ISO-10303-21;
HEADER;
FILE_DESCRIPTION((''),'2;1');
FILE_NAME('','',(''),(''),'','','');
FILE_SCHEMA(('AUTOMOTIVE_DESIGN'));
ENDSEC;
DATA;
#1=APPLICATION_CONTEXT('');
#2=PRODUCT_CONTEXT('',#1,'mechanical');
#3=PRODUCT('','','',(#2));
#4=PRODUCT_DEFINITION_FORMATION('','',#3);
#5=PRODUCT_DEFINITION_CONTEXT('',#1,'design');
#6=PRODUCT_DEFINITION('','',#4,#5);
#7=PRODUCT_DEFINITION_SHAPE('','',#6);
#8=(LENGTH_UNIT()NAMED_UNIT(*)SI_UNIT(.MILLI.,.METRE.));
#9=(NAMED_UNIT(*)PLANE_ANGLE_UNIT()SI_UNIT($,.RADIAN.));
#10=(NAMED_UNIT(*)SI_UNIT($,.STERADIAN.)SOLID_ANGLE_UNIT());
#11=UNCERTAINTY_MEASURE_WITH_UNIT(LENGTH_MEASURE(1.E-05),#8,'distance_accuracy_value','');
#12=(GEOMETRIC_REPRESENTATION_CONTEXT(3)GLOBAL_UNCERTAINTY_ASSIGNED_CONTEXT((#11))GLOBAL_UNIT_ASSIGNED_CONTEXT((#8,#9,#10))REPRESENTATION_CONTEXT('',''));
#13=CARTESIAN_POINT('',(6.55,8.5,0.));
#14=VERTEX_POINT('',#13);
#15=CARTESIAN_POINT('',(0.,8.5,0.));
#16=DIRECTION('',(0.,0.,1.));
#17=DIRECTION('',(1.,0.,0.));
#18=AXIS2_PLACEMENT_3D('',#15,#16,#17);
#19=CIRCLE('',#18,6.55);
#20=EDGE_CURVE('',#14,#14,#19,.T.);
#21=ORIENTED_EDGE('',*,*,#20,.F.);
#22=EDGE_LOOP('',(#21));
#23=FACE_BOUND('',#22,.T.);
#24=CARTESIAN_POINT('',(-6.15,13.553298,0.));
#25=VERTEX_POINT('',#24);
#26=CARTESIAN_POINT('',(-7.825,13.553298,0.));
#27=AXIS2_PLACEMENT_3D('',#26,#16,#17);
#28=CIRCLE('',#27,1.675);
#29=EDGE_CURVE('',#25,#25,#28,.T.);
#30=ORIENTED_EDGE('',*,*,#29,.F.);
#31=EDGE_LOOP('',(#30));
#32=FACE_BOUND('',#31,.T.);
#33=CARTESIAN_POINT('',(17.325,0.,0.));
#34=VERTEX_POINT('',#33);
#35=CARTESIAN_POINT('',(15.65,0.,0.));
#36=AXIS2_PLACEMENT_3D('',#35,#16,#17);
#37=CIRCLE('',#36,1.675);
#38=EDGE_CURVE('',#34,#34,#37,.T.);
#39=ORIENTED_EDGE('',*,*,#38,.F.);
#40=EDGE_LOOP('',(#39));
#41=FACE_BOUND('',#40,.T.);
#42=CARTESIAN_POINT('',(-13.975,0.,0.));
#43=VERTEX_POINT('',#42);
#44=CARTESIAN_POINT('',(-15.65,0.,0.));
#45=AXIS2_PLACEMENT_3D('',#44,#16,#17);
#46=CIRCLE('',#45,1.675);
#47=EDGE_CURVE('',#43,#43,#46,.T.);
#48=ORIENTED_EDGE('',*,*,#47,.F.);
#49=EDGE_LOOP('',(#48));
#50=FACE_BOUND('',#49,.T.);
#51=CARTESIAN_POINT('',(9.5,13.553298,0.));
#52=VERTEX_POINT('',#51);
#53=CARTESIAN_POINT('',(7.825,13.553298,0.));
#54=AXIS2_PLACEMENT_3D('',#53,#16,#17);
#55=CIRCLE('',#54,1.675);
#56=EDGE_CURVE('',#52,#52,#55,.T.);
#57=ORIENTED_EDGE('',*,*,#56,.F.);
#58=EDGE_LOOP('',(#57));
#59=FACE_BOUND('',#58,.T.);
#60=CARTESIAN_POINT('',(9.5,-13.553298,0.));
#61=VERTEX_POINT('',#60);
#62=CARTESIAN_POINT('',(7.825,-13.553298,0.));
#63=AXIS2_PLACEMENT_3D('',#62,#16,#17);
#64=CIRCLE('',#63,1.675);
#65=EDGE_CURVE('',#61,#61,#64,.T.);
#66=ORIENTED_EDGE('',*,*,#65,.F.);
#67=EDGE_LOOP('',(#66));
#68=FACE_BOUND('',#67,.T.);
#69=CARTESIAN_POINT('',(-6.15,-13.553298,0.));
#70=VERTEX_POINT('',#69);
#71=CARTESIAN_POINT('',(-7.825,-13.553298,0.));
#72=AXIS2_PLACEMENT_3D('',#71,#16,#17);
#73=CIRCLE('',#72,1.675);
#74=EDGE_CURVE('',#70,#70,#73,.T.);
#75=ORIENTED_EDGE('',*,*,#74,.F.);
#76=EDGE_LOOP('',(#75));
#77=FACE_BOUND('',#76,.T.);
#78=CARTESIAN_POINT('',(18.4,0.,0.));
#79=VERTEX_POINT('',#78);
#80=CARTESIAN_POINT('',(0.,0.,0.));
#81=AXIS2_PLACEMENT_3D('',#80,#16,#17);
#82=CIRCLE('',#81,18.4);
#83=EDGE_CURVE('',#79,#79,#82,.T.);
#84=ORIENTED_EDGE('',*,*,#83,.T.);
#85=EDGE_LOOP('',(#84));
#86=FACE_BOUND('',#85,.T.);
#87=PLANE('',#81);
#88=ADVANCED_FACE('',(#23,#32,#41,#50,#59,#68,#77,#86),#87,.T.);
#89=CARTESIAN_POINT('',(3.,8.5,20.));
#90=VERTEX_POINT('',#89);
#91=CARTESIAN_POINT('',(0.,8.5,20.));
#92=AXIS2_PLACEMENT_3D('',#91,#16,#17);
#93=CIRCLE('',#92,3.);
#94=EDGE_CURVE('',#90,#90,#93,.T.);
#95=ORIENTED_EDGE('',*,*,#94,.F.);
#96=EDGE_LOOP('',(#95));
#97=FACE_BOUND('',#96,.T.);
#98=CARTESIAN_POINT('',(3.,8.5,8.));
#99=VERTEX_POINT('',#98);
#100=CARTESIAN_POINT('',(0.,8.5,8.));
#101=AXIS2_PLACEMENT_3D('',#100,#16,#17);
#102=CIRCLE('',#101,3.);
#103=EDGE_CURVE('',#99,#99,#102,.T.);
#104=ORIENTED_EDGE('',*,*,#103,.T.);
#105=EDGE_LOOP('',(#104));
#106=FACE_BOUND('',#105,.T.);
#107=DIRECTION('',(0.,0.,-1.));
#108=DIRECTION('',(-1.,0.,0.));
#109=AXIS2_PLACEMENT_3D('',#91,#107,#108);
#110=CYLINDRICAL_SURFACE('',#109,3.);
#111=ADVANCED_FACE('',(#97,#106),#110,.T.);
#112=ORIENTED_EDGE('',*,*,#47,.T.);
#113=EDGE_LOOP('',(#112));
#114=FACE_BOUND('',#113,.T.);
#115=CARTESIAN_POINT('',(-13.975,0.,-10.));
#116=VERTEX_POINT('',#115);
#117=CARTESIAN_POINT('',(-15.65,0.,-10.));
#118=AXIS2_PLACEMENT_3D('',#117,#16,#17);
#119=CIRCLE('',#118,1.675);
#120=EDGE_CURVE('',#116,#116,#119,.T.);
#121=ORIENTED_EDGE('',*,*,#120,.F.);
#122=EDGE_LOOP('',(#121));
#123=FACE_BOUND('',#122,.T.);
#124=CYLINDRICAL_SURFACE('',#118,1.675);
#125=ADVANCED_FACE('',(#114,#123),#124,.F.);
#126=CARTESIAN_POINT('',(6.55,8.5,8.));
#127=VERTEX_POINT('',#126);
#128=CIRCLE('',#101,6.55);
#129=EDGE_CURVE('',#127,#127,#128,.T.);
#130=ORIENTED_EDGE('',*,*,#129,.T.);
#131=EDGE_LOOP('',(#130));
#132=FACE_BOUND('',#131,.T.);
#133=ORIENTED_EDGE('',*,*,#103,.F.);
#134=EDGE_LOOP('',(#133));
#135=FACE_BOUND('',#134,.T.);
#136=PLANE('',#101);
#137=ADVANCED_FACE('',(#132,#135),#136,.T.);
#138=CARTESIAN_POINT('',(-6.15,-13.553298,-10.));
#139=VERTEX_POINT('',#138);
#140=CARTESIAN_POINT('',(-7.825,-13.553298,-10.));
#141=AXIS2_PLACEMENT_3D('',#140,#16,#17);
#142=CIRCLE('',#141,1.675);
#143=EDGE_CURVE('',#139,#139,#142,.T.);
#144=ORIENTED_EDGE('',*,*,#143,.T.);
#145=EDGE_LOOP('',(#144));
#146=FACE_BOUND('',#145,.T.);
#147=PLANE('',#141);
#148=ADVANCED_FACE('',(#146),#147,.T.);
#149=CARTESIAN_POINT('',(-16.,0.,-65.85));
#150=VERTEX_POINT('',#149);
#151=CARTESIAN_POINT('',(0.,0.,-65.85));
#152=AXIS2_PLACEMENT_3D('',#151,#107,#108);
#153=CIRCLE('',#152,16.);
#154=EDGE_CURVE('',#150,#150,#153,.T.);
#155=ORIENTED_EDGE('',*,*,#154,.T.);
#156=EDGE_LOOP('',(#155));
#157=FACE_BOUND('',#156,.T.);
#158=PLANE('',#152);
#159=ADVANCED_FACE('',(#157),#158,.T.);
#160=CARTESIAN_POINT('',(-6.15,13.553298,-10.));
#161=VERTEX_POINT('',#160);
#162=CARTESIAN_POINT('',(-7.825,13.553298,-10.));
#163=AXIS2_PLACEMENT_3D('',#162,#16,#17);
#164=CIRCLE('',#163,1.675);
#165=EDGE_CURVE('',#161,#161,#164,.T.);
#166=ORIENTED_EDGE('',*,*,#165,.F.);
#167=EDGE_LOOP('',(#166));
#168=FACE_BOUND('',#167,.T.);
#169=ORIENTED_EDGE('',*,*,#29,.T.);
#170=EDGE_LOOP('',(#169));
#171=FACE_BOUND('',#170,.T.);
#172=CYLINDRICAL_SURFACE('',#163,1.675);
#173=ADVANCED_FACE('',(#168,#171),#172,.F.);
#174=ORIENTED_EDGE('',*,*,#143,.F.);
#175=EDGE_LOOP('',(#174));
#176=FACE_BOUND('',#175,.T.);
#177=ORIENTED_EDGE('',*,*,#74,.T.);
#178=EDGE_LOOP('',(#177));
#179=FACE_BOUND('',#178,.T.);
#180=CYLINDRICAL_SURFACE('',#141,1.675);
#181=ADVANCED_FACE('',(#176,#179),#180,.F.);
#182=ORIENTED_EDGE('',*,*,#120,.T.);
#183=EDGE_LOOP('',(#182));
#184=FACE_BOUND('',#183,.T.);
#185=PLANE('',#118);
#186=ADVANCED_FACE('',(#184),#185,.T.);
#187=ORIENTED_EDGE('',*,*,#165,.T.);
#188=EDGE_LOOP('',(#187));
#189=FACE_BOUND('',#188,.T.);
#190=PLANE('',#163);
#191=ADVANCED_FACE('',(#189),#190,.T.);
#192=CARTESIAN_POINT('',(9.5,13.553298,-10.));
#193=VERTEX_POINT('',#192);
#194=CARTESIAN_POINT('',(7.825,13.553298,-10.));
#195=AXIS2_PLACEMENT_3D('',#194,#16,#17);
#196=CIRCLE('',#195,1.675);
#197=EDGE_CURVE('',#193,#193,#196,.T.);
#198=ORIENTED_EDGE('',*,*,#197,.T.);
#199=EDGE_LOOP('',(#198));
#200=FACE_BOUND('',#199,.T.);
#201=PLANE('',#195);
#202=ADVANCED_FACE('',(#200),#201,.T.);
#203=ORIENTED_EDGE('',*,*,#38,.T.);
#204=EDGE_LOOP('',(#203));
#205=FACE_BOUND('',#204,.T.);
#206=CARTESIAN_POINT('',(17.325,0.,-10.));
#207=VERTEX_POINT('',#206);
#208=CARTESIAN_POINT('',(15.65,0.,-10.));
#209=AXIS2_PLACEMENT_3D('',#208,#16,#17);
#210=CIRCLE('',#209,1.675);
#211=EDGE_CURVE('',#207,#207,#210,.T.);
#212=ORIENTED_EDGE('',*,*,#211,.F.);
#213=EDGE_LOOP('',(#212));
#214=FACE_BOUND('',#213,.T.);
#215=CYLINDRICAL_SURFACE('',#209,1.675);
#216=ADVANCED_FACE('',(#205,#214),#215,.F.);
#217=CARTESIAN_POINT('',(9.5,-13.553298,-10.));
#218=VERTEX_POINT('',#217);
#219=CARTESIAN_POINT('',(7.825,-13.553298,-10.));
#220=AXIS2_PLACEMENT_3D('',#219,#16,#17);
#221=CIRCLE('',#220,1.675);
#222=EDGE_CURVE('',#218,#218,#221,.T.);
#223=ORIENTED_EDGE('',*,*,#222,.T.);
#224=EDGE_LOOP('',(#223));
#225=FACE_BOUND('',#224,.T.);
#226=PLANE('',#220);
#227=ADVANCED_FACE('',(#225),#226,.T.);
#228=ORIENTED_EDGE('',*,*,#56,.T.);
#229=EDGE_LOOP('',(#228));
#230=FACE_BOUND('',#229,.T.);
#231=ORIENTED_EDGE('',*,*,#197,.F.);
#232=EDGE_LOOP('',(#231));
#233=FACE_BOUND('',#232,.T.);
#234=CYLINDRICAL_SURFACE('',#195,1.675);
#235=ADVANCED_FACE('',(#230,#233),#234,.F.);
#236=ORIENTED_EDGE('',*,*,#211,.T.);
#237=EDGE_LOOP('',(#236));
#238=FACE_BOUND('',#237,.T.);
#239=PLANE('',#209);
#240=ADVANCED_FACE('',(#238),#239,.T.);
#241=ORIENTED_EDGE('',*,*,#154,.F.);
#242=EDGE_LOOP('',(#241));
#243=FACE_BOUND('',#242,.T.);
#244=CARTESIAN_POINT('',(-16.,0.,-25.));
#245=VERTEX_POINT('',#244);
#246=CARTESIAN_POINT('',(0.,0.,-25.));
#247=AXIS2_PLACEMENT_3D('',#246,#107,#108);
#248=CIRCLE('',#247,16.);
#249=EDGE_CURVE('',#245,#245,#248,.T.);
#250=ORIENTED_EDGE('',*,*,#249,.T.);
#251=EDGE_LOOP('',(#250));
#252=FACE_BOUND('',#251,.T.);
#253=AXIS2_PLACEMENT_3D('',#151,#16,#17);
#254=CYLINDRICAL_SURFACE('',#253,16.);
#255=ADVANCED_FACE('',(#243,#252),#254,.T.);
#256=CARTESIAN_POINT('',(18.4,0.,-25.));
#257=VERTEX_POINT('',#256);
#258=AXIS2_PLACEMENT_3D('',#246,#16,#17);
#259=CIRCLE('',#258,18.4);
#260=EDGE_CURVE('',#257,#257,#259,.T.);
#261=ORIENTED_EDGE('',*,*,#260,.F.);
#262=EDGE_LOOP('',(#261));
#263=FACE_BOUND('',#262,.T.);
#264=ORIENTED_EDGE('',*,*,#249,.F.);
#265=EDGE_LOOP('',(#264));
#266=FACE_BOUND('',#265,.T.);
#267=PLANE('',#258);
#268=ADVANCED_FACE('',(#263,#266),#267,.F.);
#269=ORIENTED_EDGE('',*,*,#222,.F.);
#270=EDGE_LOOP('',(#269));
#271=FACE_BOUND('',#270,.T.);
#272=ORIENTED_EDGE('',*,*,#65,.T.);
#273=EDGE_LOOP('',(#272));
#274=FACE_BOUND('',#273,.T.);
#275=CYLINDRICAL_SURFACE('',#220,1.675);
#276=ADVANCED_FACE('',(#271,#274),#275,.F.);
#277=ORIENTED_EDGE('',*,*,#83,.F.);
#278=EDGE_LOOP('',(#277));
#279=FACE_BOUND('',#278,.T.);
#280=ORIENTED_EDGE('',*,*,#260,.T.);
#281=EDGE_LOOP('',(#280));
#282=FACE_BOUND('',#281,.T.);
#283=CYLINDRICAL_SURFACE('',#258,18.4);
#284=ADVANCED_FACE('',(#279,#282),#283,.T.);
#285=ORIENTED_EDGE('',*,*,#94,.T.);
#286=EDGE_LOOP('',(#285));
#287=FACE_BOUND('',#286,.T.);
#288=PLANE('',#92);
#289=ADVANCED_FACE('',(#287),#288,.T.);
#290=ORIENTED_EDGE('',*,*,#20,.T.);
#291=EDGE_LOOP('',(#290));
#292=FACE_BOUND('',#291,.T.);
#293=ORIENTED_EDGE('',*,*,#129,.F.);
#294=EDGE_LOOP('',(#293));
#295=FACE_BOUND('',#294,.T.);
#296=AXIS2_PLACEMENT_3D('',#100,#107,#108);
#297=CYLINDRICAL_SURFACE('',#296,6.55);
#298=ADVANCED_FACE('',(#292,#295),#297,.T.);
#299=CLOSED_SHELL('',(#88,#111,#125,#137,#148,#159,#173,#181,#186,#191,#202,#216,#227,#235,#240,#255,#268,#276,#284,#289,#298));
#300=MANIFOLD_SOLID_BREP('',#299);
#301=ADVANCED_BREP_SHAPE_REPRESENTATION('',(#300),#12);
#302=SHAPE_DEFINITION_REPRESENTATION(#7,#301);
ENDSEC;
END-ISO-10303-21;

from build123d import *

# Parameters (mm, degrees)
SKETCH1_R           = 18.4
BOSS_EXTRUDE1_DEPTH = 25
SKETCH2_R           = 16
BOSS_EXTRUDE2_DEPTH = 40.85
SKETCH3_R           = 1.675
CUT_EXTRUDE1_DEPTH  = 10
SKETCH4_R           = 6.55
BOSS_EXTRUDE3_DEPTH = 8
SKETCH5_R           = 3
BOSS_EXTRUDE4_DEPTH = 12


with BuildPart() as part:
    # Sketch1 → Boss-Extrude1 (new body)
    with BuildSketch(Plane.XY):
        Circle(SKETCH1_R)
    extrude(amount=-BOSS_EXTRUDE1_DEPTH)

    # Sketch2 → Boss-Extrude2 (add)
    with BuildSketch(Plane(origin=(0, 0, -25), x_dir=(-1, 0, 0), z_dir=(0, 0, -1))):
        Circle(SKETCH2_R)
    extrude(amount=BOSS_EXTRUDE2_DEPTH)

    # Sketch3 → Cut-Extrude1 (cut)
    with BuildSketch(Plane.XY):
        with Locations((15.65, 0)):
            Circle(SKETCH3_R)
        with Locations((7.825, -13.553297569)):
            Circle(SKETCH3_R)
        with Locations((-7.825, -13.553297569)):
            Circle(SKETCH3_R)
        with Locations((-15.65, 0)):
            Circle(SKETCH3_R)
        with Locations((-7.825, 13.553297569)):
            Circle(SKETCH3_R)
        with Locations((7.825, 13.553297569)):
            Circle(SKETCH3_R)
    extrude(amount=-CUT_EXTRUDE1_DEPTH, mode=Mode.SUBTRACT)

    # Sketch4 → Boss-Extrude3 (add)
    with BuildSketch(Plane.XY):
        with Locations((0, 8.5)):
            Circle(SKETCH4_R)
    extrude(amount=BOSS_EXTRUDE3_DEPTH)

    # Sketch5 → Boss-Extrude4 (add)
    with BuildSketch(Plane.XY.offset(8)):
        with Locations((0, 8.5)):
            Circle(SKETCH5_R)
    extrude(amount=BOSS_EXTRUDE4_DEPTH)


solid = part.part
